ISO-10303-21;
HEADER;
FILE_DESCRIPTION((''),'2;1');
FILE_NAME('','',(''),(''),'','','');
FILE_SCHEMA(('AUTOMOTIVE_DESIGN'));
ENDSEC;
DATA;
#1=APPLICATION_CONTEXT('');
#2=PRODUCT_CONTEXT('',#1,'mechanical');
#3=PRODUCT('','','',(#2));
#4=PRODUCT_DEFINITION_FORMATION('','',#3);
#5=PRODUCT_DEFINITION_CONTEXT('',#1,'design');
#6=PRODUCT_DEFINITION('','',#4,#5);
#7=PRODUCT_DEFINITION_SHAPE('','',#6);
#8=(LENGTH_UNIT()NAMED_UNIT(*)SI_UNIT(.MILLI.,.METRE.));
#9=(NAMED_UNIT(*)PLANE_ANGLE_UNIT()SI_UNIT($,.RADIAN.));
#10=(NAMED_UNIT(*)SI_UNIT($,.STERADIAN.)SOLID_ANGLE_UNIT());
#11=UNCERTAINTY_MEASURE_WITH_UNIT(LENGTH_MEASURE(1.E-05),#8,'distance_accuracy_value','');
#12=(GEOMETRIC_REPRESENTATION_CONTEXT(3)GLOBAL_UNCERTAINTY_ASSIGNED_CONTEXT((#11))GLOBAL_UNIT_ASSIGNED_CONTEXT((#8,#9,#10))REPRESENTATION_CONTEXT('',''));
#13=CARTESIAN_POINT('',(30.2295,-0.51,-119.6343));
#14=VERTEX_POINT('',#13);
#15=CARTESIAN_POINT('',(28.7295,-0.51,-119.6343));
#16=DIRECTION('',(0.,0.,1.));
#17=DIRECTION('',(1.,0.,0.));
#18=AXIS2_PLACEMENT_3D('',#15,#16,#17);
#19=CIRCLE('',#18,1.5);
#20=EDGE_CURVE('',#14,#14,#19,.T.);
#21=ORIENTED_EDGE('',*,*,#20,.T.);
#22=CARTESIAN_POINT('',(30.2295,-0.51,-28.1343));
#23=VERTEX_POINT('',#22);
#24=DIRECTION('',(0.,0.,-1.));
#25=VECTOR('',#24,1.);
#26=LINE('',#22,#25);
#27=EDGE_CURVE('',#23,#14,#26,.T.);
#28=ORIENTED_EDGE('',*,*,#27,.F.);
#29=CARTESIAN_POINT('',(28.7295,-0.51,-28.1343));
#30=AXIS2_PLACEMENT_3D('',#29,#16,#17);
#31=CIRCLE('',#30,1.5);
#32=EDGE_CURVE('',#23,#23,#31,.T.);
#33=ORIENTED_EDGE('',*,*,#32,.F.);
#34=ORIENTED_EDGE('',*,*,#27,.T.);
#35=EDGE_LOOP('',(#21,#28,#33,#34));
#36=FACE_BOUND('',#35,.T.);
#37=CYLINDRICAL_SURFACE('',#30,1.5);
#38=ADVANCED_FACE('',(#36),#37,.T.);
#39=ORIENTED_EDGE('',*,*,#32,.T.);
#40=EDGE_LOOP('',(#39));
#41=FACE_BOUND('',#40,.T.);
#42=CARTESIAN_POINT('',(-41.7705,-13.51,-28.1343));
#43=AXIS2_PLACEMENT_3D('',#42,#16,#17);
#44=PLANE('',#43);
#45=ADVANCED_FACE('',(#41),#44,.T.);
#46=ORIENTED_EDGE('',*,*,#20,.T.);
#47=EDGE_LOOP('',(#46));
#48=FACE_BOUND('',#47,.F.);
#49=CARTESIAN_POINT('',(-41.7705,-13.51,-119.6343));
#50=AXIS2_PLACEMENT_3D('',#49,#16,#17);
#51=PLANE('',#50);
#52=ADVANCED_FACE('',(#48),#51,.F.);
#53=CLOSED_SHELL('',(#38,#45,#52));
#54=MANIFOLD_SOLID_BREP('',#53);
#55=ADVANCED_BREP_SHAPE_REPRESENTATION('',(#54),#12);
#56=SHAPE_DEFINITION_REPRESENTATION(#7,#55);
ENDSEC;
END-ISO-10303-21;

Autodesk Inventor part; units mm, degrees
ref_plane "YZ Plane" through (0, 0, 0) normal (1, 0, 0) x (0, 1, 0)
ref_plane "XZ Plane" through (0, 0, 0) normal (0, 1, 0) x (-1, 0, 0)
ref_plane "XY Plane" through (0, 0, 0) normal (0, 0, 1) x (1, 0, 0)
ref_plane "Work Plane1" through (-41.7705, -13.51, -28.1343) normal (0, 0, 1) x (1, 0, 0)
sketch "Sketch1" plane through (-41.7705, -13.51, -28.1343) normal (0, 0, 1) x (1, 0, 0)
  circle A0 centre (70.5, 13) radius 1.125 projected
  circle A1 centre (70.5, 13) radius 1.5
  point P0 (41.7705, 13.51)
  dimension "d0" = 3
extrude "Extrusion1" add sketch "Sketch1" against normal blind 91.5 contours A0 | A1
properties part number "Shaft"
